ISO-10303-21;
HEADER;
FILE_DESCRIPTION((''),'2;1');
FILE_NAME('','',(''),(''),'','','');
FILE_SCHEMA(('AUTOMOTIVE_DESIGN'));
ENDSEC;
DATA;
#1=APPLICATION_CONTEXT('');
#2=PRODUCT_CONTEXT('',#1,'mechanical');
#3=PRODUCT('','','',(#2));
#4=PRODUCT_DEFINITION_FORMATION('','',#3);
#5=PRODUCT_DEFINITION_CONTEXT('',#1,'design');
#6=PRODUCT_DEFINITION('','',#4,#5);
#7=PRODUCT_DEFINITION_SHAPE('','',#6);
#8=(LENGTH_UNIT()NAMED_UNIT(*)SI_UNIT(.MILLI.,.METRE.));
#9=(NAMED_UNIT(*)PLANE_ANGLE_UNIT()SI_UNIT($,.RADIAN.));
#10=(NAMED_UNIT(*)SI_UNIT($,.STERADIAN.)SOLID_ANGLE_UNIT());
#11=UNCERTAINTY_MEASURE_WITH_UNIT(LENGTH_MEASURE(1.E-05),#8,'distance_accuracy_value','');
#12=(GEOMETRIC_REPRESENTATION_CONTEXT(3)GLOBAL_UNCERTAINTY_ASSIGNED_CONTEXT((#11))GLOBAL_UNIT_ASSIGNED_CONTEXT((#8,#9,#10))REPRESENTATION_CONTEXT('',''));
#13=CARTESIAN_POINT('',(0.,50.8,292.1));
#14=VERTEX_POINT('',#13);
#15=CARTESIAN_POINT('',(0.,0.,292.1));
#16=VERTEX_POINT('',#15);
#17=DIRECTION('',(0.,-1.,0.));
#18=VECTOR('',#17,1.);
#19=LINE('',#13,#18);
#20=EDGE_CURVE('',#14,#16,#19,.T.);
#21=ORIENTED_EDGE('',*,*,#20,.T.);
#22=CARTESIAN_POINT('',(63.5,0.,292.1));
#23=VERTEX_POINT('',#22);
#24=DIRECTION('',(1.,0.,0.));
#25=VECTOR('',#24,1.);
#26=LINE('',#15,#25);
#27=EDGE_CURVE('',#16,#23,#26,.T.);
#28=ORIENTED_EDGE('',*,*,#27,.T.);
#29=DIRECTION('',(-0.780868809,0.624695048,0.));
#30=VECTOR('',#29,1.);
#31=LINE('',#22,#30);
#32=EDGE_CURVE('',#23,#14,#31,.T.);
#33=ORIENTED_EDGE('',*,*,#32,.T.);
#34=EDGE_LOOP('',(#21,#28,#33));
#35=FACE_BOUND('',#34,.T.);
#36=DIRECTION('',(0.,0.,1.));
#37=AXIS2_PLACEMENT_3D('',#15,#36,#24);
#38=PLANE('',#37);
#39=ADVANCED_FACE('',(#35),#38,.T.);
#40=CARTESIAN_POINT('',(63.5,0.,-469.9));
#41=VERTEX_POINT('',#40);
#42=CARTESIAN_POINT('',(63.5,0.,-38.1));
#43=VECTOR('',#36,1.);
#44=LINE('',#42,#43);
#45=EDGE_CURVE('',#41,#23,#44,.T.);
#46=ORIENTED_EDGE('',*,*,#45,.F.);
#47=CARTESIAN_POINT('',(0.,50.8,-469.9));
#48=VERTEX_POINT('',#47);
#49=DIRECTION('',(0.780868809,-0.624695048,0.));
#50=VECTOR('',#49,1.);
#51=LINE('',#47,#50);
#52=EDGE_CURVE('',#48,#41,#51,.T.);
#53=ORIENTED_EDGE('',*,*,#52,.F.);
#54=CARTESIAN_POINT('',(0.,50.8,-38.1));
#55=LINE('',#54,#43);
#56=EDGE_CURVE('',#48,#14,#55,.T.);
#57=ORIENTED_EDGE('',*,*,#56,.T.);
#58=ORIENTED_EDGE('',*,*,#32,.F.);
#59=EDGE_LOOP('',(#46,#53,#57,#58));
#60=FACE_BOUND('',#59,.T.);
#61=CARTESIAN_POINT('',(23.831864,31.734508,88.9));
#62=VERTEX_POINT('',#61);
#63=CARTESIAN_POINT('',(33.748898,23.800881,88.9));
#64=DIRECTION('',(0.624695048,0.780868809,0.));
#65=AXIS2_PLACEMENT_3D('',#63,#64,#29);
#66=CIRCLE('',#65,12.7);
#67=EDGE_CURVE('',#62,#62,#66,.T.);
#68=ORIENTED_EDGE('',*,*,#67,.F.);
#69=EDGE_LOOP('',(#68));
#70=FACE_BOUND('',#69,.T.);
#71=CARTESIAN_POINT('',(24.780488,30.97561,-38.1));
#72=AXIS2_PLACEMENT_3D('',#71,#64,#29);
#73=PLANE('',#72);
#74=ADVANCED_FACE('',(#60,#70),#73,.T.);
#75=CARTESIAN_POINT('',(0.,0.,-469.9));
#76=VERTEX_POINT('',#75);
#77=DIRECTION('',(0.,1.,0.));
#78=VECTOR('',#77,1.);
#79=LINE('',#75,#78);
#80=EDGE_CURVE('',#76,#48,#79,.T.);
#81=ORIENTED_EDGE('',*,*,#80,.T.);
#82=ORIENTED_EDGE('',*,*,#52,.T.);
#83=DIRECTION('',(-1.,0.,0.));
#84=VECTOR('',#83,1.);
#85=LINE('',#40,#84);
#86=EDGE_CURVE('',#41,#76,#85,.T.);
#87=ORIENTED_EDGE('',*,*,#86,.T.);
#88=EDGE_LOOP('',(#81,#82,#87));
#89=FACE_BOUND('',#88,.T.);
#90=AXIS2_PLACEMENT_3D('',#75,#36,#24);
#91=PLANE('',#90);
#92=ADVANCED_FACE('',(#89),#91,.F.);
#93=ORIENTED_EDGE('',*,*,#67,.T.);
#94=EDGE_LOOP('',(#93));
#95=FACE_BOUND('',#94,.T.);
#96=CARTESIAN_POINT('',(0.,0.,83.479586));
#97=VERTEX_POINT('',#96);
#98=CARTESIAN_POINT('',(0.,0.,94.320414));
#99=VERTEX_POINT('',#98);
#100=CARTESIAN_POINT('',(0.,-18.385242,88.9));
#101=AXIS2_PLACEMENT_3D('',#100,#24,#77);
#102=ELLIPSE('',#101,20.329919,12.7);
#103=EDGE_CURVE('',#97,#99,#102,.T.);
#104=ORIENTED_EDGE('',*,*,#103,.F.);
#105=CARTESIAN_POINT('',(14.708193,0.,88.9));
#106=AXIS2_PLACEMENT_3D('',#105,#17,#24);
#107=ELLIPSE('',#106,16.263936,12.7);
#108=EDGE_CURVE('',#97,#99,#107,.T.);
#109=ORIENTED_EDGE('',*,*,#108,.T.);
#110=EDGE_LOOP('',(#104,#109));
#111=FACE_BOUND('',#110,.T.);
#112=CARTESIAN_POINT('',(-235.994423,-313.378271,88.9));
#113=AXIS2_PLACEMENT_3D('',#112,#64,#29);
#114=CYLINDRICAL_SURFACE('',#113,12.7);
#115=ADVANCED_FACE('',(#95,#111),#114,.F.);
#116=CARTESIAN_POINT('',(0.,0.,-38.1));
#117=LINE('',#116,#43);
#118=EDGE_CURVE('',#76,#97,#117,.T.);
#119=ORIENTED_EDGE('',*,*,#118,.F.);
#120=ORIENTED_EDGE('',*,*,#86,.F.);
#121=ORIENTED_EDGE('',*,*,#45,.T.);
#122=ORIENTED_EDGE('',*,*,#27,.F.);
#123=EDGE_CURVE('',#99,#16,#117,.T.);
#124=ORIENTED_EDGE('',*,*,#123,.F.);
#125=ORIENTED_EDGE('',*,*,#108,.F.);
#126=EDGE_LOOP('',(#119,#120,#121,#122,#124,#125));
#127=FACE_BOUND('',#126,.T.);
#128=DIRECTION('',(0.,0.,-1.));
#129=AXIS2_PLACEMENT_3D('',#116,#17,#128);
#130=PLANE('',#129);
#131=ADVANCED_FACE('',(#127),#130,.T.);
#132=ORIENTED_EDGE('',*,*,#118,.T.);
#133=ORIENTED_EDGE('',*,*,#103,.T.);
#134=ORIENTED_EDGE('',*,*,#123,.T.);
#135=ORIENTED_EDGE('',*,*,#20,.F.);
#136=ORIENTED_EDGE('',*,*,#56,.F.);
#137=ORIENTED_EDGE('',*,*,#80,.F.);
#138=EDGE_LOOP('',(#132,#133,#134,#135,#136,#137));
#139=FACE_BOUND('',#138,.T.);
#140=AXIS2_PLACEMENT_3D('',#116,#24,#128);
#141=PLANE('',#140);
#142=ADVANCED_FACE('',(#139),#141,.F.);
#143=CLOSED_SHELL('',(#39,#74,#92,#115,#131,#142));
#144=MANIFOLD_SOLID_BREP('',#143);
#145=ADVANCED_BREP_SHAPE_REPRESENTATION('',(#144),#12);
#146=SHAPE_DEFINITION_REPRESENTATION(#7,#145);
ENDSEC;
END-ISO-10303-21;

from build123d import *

# Parameters (mm, degrees)
BOSS_EXTRUDE1_DEPTH = 38.1
BOSS_EXTRUDE2_DEPTH = 292.1
BOSS_EXTRUDE3_DEPTH = 431.8
SKETCH6_R           = 12.7
CUT_EXTRUDE2_DEPTH  = 431.8


with BuildPart() as part:
    # Sketch1 → Boss-Extrude1 (new body)
    with BuildSketch(Plane.XY):
        Polygon((0, 0), (0, 50.8), (63.5, 0), align=None)
    extrude(amount=-BOSS_EXTRUDE1_DEPTH)

    # Sketch3 → Boss-Extrude2 (add)
    with BuildSketch(Plane.XY):
        Polygon((0, 50.8), (0, 0), (63.5, 0), align=None)
    extrude(amount=BOSS_EXTRUDE2_DEPTH)

    # Sketch4 → Boss-Extrude3 (add)
    with BuildSketch(Plane(origin=(0, 0, -38.1), x_dir=(-1, 0, 0), z_dir=(0, 0, -1))):
        Polygon((0, 50.8), (-63.5, 0), (0, 0), align=None)
    extrude(amount=BOSS_EXTRUDE3_DEPTH)

    # Sketch6 → Cut-Extrude2 (cut)
    with BuildSketch(Plane(origin=(24.780487805, 30.975609756, 0), x_dir=(0.780868809, -0.624695048, 0), z_dir=(0.624695048, 0.780868809, 0))):
        with Locations((11.4851694, -88.9)):
            Circle(SKETCH6_R)
    extrude(amount=-CUT_EXTRUDE2_DEPTH, mode=Mode.SUBTRACT)


solid = part.part
